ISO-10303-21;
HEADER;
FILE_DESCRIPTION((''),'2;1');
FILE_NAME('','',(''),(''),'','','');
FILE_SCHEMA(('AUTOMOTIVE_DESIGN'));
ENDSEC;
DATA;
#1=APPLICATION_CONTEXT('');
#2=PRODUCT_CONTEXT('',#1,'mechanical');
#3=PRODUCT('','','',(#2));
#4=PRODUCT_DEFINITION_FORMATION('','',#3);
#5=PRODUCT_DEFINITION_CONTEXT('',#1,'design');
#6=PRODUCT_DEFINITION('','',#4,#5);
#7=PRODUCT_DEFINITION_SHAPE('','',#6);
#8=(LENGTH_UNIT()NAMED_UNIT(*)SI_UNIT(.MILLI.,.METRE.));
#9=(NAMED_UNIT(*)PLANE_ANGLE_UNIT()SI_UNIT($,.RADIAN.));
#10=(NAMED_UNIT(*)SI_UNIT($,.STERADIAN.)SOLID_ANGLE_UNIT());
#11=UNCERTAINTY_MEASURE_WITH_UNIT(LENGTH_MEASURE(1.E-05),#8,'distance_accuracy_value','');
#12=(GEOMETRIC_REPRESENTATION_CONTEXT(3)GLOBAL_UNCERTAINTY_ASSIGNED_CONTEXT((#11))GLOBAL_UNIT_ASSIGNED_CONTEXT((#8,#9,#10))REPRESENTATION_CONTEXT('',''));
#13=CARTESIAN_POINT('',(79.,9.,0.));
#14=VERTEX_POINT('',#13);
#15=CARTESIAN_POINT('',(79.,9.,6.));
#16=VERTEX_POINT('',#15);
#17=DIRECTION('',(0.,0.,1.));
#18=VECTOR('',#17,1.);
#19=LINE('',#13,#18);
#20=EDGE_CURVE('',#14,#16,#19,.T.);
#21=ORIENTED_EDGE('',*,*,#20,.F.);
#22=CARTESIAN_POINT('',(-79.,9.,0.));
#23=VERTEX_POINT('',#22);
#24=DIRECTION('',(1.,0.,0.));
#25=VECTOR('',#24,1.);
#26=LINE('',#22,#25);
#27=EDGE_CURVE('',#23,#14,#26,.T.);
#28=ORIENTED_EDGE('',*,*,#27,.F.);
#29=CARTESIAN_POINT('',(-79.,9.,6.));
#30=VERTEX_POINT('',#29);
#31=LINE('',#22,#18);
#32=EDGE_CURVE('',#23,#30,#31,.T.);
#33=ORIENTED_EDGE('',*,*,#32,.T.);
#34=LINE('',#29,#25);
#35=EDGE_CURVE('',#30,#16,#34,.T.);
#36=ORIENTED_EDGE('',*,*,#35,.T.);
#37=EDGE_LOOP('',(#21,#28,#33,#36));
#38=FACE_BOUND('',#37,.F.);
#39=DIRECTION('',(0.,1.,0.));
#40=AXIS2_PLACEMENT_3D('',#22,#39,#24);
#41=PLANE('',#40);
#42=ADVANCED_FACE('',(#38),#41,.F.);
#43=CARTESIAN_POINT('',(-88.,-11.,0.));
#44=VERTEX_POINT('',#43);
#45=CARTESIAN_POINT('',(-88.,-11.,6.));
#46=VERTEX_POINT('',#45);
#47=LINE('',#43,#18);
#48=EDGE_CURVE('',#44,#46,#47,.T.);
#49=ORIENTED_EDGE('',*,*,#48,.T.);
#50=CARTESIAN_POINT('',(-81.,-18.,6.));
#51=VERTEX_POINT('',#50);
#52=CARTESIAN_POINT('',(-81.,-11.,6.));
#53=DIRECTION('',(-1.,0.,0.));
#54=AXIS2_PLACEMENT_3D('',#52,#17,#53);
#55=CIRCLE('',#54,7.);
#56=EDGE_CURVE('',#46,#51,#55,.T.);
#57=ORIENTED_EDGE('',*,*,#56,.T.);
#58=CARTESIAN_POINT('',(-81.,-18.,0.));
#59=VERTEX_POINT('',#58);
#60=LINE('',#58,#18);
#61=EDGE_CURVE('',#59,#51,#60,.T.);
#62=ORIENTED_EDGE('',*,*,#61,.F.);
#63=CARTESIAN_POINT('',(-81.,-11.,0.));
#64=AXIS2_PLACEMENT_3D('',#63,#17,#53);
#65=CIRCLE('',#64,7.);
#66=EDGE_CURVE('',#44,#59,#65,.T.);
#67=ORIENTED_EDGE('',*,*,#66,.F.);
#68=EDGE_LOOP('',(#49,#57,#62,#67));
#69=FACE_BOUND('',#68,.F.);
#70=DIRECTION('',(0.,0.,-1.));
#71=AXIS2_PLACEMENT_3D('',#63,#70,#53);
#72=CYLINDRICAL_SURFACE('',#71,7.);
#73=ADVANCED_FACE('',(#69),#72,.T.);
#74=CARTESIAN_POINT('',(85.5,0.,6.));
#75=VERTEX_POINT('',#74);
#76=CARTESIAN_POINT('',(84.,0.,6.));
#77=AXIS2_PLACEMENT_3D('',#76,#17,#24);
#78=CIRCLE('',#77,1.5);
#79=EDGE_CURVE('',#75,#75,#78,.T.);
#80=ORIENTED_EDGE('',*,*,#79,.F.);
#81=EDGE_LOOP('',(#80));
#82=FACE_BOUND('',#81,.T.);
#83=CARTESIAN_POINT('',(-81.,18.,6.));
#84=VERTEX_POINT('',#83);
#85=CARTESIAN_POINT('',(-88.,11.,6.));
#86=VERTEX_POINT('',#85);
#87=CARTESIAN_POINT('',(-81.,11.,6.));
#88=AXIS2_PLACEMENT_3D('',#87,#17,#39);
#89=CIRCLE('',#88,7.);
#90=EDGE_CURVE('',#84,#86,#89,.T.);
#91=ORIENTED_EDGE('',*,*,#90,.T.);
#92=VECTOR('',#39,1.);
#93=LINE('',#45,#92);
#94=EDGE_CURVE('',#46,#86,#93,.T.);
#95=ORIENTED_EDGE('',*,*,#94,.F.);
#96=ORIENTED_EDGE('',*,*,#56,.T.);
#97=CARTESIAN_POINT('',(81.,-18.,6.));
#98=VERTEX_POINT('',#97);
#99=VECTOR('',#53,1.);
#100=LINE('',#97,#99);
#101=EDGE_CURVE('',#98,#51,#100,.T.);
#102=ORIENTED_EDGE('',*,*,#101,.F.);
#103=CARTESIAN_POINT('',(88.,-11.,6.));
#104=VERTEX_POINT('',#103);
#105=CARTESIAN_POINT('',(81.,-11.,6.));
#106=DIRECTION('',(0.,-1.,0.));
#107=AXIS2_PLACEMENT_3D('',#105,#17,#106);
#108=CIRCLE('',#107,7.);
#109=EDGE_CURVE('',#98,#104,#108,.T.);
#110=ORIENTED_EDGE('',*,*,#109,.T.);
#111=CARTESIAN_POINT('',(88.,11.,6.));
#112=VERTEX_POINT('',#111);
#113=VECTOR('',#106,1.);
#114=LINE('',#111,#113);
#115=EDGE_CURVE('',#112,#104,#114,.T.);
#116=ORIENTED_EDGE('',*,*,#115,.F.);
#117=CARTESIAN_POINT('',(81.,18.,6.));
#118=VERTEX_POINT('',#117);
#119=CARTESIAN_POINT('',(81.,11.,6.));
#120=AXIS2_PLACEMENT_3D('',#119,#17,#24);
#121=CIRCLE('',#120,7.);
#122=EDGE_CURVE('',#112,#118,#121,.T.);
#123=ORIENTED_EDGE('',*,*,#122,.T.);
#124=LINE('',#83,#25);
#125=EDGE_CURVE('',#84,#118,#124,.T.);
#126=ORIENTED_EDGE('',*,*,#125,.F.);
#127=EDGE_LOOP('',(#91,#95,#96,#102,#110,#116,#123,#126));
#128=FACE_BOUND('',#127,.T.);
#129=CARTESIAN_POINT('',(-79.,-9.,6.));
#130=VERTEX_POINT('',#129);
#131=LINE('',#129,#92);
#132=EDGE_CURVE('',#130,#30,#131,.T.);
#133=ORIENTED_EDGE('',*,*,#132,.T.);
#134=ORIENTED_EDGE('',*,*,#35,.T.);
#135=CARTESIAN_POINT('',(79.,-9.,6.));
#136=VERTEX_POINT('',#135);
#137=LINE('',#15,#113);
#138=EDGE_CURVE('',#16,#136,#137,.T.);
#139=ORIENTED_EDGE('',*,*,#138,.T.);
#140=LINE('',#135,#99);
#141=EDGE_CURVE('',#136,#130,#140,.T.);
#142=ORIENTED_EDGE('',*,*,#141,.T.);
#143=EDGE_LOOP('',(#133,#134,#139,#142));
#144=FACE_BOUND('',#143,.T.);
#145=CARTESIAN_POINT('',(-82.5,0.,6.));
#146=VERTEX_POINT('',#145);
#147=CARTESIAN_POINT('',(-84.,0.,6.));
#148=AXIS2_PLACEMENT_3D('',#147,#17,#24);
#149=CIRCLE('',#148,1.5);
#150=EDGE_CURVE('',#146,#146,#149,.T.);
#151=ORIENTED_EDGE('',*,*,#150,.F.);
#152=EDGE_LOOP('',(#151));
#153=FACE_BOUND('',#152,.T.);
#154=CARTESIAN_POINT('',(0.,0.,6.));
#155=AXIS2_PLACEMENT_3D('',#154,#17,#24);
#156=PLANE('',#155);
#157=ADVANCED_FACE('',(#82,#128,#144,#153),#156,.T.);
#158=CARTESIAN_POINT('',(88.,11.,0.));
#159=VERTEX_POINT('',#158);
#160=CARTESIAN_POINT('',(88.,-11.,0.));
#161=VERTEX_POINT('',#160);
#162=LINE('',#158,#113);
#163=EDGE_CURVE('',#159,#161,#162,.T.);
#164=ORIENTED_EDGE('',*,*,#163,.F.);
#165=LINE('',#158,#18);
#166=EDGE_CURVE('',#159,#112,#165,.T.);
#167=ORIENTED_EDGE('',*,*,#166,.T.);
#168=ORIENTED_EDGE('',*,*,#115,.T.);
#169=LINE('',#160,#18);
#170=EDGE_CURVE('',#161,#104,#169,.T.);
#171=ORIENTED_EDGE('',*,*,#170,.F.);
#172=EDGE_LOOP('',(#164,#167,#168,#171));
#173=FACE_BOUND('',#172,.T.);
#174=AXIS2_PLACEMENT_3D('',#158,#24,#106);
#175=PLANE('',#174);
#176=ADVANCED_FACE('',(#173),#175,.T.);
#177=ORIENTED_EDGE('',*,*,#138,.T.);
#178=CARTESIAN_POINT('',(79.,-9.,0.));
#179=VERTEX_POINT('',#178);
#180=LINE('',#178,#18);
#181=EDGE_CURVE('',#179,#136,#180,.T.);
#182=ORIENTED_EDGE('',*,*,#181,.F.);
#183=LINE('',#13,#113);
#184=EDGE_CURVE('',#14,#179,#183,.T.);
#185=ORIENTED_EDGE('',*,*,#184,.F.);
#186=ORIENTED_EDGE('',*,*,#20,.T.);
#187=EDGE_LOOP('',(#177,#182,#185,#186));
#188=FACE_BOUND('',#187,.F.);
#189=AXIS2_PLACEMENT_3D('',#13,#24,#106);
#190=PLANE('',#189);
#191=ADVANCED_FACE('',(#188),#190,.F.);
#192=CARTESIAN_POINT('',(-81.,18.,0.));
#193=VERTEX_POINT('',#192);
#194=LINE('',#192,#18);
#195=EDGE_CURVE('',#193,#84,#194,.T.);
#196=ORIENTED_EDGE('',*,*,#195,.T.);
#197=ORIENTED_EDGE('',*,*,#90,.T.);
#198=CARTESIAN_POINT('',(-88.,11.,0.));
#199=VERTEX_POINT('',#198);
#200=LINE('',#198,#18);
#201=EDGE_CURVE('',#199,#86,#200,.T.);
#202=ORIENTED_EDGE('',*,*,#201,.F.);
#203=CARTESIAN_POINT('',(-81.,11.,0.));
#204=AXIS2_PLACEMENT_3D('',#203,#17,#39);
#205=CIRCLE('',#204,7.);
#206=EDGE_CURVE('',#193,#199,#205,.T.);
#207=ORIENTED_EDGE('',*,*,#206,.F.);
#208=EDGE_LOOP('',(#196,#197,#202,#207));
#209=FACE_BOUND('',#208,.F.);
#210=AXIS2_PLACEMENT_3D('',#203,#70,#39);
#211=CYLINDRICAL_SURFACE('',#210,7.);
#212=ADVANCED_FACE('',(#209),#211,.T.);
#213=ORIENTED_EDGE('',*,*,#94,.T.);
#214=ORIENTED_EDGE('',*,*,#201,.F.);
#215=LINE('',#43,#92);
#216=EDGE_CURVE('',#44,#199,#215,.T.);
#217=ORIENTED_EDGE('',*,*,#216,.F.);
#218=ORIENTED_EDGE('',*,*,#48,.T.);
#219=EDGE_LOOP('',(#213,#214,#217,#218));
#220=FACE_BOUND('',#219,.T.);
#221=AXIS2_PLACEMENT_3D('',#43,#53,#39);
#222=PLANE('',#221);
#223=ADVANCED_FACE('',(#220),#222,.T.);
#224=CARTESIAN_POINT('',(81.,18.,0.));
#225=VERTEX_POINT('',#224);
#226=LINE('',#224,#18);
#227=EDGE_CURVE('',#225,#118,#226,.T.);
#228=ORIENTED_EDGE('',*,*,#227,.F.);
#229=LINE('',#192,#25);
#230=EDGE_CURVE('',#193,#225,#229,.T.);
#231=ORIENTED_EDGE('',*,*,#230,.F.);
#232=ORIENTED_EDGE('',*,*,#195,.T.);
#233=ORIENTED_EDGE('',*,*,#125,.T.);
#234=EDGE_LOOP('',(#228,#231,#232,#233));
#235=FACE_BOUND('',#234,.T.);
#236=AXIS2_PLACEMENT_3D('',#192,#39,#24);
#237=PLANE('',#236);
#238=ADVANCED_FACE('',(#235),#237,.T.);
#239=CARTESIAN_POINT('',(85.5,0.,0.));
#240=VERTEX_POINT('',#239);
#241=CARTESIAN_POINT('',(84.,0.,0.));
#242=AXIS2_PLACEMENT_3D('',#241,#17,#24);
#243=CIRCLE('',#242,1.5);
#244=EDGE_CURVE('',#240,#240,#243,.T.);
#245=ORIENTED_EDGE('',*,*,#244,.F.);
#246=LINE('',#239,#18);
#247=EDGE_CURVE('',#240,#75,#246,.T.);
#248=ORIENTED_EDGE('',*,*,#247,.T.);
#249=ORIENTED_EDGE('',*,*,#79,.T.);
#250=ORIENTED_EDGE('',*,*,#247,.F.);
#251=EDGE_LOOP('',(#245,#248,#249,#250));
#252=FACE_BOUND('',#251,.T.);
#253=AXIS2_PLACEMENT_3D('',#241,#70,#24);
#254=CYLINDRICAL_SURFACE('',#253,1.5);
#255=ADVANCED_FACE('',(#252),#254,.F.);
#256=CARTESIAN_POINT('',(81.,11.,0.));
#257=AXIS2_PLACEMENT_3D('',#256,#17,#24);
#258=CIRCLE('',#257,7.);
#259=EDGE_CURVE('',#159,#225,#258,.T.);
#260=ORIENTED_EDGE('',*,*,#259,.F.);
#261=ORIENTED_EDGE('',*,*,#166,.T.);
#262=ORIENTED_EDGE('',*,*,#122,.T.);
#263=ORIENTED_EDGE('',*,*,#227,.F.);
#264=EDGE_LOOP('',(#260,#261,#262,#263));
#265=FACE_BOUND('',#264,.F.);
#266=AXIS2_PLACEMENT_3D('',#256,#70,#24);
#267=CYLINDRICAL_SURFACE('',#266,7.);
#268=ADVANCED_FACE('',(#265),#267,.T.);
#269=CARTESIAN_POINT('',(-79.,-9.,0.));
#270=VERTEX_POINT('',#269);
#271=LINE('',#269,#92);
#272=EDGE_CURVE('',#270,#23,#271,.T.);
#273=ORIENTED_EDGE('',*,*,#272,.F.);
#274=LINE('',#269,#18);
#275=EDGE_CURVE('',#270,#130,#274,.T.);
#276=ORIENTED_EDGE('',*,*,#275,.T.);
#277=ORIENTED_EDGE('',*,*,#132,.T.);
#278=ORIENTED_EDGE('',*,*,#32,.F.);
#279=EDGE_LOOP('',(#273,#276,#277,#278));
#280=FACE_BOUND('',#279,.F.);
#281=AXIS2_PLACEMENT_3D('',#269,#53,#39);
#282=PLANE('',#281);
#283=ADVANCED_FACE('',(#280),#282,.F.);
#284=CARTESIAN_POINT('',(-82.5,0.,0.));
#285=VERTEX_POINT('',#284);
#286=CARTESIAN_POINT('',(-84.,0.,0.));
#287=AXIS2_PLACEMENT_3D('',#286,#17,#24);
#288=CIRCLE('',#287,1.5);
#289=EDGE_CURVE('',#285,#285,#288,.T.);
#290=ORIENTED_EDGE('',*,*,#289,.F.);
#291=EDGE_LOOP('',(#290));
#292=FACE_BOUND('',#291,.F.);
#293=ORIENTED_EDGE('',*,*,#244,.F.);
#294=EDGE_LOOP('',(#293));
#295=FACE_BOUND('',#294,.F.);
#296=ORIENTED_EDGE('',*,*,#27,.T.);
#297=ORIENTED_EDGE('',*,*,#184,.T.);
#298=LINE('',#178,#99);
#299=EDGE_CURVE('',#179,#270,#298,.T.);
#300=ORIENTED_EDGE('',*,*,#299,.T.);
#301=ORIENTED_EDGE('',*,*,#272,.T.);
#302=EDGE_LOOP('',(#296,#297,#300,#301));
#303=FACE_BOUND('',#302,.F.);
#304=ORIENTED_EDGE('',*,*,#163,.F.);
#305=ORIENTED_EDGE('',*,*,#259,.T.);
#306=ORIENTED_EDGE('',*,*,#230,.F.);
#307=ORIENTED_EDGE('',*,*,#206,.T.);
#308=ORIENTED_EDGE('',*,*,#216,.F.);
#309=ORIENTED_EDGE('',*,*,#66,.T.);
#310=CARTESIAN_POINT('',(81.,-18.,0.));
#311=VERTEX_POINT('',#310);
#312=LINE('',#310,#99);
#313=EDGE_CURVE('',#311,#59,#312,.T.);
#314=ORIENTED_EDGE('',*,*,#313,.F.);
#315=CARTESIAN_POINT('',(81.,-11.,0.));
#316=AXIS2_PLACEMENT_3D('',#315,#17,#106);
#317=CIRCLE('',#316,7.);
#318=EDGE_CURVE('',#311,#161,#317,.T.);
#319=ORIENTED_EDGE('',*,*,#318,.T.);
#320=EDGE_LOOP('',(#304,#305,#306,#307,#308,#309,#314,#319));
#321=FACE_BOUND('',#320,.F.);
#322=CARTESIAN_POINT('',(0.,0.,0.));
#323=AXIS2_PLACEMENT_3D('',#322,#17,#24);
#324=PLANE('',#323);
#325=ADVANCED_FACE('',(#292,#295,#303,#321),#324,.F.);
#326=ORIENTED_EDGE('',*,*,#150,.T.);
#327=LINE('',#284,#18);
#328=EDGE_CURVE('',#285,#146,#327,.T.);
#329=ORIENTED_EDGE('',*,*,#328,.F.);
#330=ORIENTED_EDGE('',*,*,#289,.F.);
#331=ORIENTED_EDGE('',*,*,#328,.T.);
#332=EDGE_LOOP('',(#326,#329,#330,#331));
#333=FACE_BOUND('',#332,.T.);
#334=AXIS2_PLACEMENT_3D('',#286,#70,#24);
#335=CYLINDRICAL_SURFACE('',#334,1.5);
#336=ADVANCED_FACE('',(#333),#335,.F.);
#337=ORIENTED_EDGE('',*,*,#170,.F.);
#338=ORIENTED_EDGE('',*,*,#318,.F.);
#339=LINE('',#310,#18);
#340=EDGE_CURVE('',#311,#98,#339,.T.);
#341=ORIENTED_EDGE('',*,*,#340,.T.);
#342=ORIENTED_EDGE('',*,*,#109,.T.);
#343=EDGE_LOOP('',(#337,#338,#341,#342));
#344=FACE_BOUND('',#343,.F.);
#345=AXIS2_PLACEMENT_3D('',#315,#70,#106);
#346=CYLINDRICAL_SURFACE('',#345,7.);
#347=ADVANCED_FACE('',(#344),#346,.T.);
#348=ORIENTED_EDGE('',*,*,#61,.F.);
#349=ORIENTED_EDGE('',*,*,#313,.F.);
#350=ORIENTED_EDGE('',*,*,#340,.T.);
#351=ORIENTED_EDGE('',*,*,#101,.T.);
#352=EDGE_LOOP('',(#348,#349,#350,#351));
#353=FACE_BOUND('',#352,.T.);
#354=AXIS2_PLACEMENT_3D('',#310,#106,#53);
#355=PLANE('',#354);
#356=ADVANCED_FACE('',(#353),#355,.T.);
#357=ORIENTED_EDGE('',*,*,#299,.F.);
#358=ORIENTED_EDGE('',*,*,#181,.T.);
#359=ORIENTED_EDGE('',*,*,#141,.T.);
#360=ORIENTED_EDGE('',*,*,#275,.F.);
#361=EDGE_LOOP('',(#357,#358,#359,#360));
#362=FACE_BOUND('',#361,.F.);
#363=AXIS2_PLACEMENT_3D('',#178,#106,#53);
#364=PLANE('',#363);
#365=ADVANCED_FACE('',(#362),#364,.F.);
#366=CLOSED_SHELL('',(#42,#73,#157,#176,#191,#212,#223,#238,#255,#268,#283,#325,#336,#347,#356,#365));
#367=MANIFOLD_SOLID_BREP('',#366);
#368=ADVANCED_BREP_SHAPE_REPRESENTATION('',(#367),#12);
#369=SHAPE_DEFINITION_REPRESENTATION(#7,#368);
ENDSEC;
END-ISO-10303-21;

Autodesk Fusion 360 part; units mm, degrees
sketch "Sketch1" plane through (0, 0, 0) normal (0, 0, 1) x (1, 0, 0)
  line L0 (-79, 9) -> (79, 9)
  line L1 (79, 9) -> (79, -9)
  line L2 (79, -9) -> (-79, -9)
  line L3 (-79, -9) -> (-79, 9)
  line L4 (-79, 9) -> (79, -9) construction
  line L5 (79, 9) -> (-79, -9) construction
  line L6 (-81, 18) -> (81, 18)
  line L7 (88, 11) -> (88, -11)
  line L8 (81, -18) -> (-81, -18)
  line L9 (-88, -11) -> (-88, 11)
  line L10 (-88, 18) -> (88, -18) construction
  line L11 (88, 18) -> (-88, -18) construction
  arc A0 (-81, 18) -> (-88, 11) centre (-81, 11) ccw
  arc A1 (-88, -11) -> (-81, -18) centre (-81, -11) ccw
  arc A2 (81, -18) -> (88, -11) centre (81, -11) ccw
  arc A3 (88, 11) -> (81, 18) centre (81, 11) ccw
  line L12 (0, 0) -> (27, 0) construction
  circle A4 centre (-84, 0) radius 1.5
  line L13 (0, 0) -> (0, 18) construction
  circle A5 centre (84, 0) radius 1.5
  dimension "d22" = 158
  dimension "d23" = 18
  dimension "d28" = 176
  dimension "d29" = 36
  dimension "d30" = 7
  dimension "d35" = 3
  dimension "d37" = 18
  dimension "d54" = 5
extrude "Extrude7" add sketch "Sketch1" along normal blind 6
sketch "Sketch3" plane through (0, 0, 3) normal (0, 0, 1) x (-1, 0, 0)
  circle A0 centre (0, -13) radius 1.5
  circle A1 centre (-85, 0) radius 1.5
  circle A2 centre (0, 13) radius 1.5
  circle A3 centre (85, 0) radius 1.5
  line L0 (-79, 9) -> (79, 9)
  line L1 (79, 9) -> (79, -9)
  line L2 (79, -9) -> (-79, -9)
  line L3 (-79, -9) -> (-79, 9)
  arc A4 (-83, 18) -> (-90, 11) centre (-83, 11) ccw
  line L4 (-90, 11) -> (-90, -11)
  arc A5 (-90, -11) -> (-83, -18) centre (-83, -11) ccw
  line L5 (-83, -18) -> (83, -18)
  arc A6 (83, -18) -> (90, -11) centre (83, -11) ccw
  line L6 (90, -11) -> (90, 11)
  arc A7 (90, 11) -> (83, 18) centre (83, 11) ccw
  line L7 (83, 18) -> (-83, 18)
  circle A8 centre (0, 13) radius 1.5
